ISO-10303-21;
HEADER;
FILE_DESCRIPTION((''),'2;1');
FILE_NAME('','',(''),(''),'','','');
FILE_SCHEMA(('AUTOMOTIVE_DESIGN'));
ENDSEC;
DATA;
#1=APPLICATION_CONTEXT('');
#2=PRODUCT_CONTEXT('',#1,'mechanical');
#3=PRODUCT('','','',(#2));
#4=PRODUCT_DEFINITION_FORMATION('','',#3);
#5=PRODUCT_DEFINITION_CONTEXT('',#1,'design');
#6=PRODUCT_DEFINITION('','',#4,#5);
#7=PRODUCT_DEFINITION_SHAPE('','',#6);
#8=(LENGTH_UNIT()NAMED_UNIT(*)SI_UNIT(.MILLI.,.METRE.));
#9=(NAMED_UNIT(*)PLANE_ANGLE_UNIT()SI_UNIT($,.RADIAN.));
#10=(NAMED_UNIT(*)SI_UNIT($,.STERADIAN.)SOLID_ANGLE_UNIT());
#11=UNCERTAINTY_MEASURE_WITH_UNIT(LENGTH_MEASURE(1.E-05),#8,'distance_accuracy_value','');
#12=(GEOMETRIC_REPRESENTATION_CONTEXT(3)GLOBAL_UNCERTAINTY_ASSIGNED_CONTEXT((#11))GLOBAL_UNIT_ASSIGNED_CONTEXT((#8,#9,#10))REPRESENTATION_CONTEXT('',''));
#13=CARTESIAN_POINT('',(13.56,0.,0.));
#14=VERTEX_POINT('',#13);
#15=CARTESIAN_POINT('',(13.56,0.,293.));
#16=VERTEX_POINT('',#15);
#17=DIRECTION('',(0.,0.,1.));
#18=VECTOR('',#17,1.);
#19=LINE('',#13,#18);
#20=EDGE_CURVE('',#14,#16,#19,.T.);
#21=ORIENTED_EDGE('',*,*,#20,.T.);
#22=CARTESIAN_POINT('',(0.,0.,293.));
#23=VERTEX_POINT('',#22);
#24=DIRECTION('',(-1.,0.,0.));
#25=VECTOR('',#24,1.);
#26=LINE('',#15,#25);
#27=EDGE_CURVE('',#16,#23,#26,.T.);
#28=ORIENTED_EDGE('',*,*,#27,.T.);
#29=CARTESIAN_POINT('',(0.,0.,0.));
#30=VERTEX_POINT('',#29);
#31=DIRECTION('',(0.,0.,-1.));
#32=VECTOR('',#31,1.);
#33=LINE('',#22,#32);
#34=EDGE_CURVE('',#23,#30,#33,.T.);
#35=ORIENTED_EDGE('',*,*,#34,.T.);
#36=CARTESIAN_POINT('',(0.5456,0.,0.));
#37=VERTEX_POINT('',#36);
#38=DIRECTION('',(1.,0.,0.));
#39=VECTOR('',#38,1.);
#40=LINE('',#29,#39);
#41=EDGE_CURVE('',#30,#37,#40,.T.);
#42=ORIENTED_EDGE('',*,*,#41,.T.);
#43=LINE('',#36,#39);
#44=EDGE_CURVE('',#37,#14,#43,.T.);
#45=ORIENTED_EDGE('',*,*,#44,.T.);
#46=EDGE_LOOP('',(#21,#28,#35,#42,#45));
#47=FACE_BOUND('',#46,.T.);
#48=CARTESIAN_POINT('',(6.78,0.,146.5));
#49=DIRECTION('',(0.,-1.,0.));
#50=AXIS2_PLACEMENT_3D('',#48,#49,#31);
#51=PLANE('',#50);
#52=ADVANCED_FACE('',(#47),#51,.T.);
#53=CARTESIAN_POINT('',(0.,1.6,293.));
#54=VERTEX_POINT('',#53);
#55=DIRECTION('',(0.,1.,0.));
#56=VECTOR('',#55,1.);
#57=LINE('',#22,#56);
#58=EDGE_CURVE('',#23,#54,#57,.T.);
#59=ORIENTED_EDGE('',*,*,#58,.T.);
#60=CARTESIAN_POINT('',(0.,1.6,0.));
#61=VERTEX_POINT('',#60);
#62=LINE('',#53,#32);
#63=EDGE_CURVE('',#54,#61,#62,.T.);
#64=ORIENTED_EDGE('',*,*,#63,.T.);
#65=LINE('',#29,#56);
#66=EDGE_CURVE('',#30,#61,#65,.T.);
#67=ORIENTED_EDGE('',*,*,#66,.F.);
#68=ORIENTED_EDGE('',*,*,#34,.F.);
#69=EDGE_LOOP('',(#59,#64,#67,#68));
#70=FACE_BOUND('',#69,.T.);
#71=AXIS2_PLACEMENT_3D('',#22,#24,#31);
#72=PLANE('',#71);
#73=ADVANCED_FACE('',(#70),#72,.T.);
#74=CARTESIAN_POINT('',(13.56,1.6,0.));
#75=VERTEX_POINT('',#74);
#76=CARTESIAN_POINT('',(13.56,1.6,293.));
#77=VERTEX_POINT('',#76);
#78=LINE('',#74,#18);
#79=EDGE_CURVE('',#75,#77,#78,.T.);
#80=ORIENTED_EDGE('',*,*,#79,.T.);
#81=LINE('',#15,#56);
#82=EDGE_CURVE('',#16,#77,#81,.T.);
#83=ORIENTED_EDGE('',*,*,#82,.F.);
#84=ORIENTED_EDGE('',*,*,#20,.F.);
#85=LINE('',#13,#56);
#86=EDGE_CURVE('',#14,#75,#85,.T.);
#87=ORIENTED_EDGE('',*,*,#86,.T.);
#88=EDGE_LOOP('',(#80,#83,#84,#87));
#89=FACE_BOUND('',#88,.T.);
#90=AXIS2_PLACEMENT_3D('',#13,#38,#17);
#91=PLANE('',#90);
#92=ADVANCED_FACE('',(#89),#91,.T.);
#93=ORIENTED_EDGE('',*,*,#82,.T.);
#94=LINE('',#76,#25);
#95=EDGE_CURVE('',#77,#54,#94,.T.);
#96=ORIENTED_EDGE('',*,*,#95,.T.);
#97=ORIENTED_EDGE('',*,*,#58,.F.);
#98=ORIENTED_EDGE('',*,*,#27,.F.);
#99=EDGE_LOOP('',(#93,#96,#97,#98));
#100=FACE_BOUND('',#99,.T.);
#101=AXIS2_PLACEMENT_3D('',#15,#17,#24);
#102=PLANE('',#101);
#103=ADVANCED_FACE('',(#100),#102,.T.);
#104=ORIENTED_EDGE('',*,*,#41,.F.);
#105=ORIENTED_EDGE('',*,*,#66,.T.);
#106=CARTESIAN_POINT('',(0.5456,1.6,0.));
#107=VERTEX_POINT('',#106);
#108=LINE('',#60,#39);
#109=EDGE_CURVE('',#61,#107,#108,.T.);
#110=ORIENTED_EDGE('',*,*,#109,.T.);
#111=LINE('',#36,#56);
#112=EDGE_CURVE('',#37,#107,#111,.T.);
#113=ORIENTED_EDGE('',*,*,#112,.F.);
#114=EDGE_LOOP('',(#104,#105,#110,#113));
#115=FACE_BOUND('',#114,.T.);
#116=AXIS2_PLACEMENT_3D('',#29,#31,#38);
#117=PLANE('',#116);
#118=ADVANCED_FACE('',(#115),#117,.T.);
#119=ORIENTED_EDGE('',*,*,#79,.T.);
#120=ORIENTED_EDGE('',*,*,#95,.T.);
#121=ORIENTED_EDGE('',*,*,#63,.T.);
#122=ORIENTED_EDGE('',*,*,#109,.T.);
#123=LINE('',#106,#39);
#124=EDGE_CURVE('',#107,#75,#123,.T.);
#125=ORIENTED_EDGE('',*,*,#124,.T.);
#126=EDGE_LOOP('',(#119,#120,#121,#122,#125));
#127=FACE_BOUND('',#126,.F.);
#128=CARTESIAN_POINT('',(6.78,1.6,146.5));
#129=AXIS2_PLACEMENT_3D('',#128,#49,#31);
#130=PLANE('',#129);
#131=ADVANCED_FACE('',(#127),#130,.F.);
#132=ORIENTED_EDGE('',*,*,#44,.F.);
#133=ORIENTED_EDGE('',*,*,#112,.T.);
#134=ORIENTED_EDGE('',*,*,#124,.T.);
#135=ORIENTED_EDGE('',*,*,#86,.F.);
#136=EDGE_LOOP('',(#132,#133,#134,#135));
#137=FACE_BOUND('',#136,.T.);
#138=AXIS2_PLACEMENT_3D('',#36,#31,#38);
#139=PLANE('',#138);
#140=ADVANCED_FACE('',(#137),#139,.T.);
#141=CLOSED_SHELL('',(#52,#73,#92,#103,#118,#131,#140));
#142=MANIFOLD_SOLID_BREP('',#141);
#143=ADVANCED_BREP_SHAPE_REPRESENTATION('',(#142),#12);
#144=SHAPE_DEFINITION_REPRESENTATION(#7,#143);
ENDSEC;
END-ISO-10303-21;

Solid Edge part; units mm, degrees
sketch "Sketch1" plane through (0, 0, 0) normal (0, -1, 0) x (1, 0, 0)
  line L0 (0, 293) -> (0, 0)
  line L1 (0, 0) -> (0.5456, 0)
  line L2 (0.5456, 0) -> (13.56, 0)
  line L3 (13.56, 0) -> (13.56, 293)
  line L4 (13.56, 293) -> (0, 293)
extrude "Protrusion1" add sketch "Sketch1" against normal blind 1.6
properties material "Wood, balsa"
